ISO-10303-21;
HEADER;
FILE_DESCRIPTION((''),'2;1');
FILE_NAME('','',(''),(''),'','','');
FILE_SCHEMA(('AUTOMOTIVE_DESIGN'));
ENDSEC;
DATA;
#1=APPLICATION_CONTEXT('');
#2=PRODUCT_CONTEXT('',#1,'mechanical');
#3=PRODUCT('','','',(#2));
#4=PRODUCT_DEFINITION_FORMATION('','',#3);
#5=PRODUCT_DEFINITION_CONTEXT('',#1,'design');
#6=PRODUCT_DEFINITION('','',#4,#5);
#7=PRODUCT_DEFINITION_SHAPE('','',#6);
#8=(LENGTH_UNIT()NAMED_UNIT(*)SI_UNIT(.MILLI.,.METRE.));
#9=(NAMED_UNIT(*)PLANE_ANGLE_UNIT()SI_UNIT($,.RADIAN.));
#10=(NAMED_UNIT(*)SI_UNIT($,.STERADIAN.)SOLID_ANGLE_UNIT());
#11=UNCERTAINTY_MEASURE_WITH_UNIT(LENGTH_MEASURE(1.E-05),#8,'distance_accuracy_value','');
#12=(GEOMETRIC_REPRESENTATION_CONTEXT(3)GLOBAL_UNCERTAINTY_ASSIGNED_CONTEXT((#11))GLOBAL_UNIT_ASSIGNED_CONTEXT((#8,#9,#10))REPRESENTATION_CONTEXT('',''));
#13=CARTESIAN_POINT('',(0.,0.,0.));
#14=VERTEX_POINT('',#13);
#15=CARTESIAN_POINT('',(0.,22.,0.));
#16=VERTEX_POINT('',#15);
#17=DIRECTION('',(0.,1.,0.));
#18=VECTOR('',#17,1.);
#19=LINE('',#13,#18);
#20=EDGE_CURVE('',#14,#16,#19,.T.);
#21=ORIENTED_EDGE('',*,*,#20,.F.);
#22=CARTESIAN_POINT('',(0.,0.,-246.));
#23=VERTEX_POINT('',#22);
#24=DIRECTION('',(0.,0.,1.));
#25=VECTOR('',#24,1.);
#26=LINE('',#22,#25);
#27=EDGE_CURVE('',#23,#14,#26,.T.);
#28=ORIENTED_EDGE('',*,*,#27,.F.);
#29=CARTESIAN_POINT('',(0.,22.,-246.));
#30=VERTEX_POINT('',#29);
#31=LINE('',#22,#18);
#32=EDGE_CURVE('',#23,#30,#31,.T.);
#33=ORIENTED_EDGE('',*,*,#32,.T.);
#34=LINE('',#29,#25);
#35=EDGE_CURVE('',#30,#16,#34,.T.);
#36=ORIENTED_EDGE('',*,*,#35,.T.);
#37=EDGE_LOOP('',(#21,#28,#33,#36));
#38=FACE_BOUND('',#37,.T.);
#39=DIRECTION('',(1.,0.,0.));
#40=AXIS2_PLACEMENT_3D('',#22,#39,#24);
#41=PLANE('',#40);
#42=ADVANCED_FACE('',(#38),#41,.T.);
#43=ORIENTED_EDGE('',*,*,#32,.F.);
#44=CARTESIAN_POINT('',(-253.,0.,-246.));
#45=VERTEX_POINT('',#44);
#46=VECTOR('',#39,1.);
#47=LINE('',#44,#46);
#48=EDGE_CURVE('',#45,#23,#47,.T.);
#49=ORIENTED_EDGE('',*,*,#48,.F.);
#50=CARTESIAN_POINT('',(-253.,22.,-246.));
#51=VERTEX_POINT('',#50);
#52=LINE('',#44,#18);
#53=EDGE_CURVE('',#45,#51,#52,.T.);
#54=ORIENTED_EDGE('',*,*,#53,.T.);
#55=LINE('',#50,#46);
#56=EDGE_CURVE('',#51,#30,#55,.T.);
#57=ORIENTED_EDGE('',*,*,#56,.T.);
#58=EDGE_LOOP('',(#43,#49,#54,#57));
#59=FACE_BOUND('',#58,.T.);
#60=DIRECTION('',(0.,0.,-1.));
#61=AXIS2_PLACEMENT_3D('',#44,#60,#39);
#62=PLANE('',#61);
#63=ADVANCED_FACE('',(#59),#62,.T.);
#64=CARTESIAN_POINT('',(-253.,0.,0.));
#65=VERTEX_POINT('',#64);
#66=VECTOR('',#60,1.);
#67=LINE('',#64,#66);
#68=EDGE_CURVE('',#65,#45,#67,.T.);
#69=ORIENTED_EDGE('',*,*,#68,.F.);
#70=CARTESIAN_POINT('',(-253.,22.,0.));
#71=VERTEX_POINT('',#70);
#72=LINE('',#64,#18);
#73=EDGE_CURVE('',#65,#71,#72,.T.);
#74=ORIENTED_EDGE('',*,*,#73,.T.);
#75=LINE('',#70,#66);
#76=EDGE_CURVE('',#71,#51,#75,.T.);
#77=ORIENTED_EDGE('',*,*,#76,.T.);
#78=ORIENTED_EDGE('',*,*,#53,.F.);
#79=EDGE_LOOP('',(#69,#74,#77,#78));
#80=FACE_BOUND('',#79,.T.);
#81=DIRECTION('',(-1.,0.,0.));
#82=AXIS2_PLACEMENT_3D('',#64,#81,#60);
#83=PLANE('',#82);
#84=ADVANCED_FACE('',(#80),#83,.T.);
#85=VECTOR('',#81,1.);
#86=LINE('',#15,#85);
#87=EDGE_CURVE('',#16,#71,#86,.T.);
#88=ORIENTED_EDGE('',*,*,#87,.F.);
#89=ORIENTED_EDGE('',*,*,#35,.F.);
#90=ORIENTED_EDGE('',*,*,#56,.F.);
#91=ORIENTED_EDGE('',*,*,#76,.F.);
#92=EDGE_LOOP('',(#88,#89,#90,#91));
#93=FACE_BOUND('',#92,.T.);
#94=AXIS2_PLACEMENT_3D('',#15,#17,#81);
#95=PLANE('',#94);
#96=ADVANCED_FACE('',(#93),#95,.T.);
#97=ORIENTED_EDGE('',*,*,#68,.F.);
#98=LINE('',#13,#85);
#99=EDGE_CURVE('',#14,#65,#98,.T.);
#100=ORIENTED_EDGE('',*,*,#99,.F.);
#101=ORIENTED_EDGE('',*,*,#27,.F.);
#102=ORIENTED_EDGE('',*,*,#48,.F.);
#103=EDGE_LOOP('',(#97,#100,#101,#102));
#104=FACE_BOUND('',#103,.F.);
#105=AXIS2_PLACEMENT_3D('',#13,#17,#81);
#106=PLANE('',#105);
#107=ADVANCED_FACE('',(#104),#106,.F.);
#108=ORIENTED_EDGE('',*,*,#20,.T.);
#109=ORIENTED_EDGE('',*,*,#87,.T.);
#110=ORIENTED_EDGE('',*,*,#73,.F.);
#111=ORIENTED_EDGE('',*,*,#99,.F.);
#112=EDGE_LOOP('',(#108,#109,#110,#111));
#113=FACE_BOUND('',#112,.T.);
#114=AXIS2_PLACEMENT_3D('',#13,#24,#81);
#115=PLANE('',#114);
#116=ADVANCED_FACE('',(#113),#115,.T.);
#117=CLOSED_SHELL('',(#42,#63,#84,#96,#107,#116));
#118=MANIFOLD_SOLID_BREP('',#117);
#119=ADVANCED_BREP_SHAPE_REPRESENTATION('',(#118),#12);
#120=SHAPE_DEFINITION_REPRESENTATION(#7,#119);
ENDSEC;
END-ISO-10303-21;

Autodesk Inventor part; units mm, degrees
ref_plane "YZ Plane" through (0, 0, 0) normal (1, 0, 0) x (0, 1, 0)
ref_plane "XZ Plane" through (0, 0, 0) normal (0, 1, 0) x (-1, 0, 0)
ref_plane "XY Plane" through (0, 0, 0) normal (0, 0, 1) x (1, 0, 0)
sketch "Эскиз1" plane through (0, 0, 0) normal (0, 1, 0) x (-1, 0, 0)
  line L0 (0, 0) -> (253, 0)
  line L1 (253, 0) -> (253, -246)
  line L2 (253, -246) -> (0, -246)
  line L3 (0, -246) -> (0, 0)
  dimension "d0" = 253
  dimension "d1" = 246
extrude "Выдавливание1" add sketch "Эскиз1" along normal blind 22
properties part number "Top-Bott"
